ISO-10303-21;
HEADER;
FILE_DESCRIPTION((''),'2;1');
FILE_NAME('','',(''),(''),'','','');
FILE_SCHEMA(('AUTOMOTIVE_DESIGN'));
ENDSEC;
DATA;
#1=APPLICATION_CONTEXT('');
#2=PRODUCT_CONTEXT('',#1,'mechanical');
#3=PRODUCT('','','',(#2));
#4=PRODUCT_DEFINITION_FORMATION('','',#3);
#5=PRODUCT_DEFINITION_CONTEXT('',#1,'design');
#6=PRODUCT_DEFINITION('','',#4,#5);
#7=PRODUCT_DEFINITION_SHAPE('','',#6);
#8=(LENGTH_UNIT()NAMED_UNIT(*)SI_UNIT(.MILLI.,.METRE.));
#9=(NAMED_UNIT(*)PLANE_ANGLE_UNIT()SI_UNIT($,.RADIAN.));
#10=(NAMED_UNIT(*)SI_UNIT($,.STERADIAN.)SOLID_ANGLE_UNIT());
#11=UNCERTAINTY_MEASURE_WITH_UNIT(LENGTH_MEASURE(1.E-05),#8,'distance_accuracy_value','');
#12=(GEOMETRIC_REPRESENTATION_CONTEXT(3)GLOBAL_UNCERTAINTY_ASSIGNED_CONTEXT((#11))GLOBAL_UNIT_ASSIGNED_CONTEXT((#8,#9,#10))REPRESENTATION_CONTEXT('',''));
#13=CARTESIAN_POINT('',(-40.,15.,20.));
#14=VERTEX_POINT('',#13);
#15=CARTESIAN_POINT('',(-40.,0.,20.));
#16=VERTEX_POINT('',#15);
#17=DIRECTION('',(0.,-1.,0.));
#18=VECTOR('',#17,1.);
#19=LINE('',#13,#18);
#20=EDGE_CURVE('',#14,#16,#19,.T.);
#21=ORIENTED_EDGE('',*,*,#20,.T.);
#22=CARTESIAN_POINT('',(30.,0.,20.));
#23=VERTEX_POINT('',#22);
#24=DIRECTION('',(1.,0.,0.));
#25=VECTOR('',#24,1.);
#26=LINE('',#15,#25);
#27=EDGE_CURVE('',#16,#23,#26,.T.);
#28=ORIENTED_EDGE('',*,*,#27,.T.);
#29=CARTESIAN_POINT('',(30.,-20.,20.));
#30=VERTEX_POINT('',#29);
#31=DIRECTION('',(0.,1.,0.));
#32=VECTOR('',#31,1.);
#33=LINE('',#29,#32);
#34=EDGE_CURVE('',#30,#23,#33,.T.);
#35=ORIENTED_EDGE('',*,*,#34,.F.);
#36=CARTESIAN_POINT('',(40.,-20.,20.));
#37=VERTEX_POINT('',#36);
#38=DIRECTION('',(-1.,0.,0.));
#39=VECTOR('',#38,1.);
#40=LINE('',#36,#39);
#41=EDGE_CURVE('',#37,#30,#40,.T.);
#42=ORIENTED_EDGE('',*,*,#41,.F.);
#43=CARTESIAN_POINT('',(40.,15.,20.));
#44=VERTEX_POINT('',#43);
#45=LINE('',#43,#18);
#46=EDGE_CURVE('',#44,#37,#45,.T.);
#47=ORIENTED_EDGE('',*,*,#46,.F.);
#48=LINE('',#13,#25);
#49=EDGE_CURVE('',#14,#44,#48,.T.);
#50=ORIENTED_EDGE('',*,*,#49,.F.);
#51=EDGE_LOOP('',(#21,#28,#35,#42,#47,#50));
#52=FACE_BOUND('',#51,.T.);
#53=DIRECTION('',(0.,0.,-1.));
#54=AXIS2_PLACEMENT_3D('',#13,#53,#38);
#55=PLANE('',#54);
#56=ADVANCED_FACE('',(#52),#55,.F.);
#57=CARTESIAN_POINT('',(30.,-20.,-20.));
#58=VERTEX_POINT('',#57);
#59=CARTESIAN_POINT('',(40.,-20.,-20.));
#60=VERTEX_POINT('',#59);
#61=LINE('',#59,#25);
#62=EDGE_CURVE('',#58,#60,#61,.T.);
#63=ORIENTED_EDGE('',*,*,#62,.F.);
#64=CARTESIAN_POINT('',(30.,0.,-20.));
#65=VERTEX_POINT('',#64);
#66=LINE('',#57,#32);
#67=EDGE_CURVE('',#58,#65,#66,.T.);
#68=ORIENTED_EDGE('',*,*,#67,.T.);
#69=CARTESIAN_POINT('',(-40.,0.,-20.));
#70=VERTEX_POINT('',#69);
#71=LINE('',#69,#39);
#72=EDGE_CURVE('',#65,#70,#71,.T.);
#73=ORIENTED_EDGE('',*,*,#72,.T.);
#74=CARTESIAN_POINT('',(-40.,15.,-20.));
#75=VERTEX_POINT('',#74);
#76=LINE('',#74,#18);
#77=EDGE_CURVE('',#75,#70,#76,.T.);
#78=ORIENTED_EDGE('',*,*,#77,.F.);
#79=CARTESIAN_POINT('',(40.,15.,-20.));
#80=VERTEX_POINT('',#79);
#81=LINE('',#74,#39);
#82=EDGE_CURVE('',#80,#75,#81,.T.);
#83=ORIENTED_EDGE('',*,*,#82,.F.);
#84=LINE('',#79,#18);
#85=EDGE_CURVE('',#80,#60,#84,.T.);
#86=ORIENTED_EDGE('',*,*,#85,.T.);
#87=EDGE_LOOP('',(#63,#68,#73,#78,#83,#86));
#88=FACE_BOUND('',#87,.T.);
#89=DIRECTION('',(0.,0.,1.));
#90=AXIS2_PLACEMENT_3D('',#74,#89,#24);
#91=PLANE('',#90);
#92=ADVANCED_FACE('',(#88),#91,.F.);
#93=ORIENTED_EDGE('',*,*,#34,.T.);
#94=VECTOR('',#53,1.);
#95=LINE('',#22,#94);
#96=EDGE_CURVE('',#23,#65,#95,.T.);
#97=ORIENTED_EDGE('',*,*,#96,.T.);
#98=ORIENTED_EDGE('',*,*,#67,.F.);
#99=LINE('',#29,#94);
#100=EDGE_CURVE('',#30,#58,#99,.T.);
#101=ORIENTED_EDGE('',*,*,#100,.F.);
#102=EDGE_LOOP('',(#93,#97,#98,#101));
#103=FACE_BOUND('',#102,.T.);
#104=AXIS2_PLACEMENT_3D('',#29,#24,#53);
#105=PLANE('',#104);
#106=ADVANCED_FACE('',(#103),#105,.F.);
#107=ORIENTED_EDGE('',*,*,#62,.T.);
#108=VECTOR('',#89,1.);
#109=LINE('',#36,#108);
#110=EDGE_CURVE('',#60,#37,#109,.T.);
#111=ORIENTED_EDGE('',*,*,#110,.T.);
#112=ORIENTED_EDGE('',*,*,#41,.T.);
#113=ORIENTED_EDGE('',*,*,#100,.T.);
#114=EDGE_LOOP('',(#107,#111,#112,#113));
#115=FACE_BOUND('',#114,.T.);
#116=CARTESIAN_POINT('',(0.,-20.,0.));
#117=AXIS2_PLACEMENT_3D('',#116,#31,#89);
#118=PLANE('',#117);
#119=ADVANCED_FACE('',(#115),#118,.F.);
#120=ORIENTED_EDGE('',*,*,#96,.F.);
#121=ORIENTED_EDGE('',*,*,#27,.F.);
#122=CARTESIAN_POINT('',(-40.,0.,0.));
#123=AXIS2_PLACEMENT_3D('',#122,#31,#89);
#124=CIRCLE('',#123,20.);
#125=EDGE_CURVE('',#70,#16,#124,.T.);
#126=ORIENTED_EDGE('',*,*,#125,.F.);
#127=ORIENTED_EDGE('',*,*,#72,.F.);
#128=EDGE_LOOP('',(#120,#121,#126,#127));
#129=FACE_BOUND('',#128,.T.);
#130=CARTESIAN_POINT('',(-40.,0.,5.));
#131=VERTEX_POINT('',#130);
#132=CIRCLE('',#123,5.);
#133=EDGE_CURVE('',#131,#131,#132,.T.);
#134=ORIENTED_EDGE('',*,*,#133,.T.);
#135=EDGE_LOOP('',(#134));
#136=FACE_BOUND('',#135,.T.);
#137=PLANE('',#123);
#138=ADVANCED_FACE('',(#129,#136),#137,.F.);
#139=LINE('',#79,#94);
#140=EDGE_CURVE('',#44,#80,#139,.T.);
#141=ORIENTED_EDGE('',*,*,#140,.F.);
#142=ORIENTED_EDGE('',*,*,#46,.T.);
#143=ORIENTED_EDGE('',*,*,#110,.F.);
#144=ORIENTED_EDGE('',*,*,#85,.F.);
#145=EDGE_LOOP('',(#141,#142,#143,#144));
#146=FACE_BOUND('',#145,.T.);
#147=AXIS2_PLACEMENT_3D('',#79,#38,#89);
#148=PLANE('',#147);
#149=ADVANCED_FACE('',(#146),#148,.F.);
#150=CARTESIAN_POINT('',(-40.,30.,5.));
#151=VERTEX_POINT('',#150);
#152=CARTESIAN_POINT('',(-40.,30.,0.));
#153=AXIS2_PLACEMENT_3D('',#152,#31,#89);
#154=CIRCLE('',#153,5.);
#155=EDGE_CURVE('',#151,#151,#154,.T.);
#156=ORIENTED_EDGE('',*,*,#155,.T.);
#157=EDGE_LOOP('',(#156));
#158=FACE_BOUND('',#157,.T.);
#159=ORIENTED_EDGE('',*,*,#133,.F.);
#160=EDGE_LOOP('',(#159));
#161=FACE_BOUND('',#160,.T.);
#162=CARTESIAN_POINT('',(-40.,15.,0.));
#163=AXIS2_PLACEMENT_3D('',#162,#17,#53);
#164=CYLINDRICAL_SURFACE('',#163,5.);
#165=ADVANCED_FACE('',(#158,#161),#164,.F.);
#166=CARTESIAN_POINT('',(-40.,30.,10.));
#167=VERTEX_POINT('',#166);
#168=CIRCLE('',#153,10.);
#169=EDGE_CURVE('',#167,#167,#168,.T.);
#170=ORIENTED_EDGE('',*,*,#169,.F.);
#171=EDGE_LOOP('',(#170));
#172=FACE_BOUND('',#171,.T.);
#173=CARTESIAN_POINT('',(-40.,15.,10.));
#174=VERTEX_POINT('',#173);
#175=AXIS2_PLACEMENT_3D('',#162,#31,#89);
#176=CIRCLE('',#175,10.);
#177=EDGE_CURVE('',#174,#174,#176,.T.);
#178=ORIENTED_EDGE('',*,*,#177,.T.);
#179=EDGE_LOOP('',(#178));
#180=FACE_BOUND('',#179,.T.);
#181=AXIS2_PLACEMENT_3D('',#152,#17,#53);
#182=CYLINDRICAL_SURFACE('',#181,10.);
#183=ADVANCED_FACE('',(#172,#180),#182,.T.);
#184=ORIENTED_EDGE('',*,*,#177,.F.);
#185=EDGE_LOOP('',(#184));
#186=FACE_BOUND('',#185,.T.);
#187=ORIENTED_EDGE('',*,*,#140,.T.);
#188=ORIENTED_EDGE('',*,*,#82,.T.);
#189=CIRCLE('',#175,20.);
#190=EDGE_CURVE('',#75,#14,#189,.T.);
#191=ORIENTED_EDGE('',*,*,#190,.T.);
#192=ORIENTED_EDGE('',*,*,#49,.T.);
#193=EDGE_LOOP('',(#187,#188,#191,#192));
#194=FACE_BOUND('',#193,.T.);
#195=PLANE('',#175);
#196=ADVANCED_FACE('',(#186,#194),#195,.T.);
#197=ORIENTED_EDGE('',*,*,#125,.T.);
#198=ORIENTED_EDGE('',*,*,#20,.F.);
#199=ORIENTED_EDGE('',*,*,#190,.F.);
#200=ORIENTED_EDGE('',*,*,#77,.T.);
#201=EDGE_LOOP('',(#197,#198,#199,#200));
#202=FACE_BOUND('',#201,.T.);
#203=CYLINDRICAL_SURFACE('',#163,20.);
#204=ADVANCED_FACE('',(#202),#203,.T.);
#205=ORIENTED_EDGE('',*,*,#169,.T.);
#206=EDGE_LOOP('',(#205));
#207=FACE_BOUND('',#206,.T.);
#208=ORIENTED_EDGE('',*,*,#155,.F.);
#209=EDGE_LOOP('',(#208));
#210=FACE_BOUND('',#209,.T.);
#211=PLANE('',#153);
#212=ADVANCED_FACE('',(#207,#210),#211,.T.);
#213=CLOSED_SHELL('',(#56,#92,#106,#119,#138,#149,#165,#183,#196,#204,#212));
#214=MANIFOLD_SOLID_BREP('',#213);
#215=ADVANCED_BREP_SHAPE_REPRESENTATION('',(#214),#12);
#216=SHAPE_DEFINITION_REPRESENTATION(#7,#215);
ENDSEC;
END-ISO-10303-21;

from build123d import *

# Parameters (mm, degrees)
CROQUIS2_R              = 5
SALIENTE_EXTRUIR1_DEPTH = 15
CROQUIS3_R              = 10
CROQUIS3_R_2            = 5
SALIENTE_EXTRUIR2_DEPTH = 15
CROQUIS4_W              = 10
CROQUIS4_H              = 40
SALIENTE_EXTRUIR3_DEPTH = 20


with BuildPart() as part:
    # Croquis2 → Saliente-Extruir1 (new body)
    with BuildSketch(Plane(origin=(0, 0, 0), x_dir=(1, 0, 0), z_dir=(0, 1, 0))):
        with BuildLine():
            Line((-40, 20), (40, 20))
            Line((40, 20), (40, -20))
            Line((40, -20), (-40, -20))
            ThreePointArc((-40, -20), (-60, 0), (-40, 20))
        make_face()
        with Locations(Location((-40, 0, 0), (0, 0, 270))):
            Circle(CROQUIS2_R, mode=Mode.SUBTRACT)
    extrude(amount=SALIENTE_EXTRUIR1_DEPTH)

    # Croquis3 → Saliente-Extruir2 (add)
    with BuildSketch(Plane(origin=(0, 15, 0), x_dir=(1, 0, 0), z_dir=(0, 1, 0))):
        with Locations(Location((-40, 0, 0), (0, 0, 270))):
            Circle(CROQUIS3_R)
        with Locations(Location((-40, 0, 0), (0, 0, 270))):
            Circle(CROQUIS3_R_2, mode=Mode.SUBTRACT)
    extrude(amount=SALIENTE_EXTRUIR2_DEPTH)

    # Croquis4 → Saliente-Extruir3 (add)
    with BuildSketch(Plane.XZ):
        with Locations((35, 0)):
            Rectangle(CROQUIS4_W, CROQUIS4_H)
    extrude(amount=SALIENTE_EXTRUIR3_DEPTH)


solid = part.part
